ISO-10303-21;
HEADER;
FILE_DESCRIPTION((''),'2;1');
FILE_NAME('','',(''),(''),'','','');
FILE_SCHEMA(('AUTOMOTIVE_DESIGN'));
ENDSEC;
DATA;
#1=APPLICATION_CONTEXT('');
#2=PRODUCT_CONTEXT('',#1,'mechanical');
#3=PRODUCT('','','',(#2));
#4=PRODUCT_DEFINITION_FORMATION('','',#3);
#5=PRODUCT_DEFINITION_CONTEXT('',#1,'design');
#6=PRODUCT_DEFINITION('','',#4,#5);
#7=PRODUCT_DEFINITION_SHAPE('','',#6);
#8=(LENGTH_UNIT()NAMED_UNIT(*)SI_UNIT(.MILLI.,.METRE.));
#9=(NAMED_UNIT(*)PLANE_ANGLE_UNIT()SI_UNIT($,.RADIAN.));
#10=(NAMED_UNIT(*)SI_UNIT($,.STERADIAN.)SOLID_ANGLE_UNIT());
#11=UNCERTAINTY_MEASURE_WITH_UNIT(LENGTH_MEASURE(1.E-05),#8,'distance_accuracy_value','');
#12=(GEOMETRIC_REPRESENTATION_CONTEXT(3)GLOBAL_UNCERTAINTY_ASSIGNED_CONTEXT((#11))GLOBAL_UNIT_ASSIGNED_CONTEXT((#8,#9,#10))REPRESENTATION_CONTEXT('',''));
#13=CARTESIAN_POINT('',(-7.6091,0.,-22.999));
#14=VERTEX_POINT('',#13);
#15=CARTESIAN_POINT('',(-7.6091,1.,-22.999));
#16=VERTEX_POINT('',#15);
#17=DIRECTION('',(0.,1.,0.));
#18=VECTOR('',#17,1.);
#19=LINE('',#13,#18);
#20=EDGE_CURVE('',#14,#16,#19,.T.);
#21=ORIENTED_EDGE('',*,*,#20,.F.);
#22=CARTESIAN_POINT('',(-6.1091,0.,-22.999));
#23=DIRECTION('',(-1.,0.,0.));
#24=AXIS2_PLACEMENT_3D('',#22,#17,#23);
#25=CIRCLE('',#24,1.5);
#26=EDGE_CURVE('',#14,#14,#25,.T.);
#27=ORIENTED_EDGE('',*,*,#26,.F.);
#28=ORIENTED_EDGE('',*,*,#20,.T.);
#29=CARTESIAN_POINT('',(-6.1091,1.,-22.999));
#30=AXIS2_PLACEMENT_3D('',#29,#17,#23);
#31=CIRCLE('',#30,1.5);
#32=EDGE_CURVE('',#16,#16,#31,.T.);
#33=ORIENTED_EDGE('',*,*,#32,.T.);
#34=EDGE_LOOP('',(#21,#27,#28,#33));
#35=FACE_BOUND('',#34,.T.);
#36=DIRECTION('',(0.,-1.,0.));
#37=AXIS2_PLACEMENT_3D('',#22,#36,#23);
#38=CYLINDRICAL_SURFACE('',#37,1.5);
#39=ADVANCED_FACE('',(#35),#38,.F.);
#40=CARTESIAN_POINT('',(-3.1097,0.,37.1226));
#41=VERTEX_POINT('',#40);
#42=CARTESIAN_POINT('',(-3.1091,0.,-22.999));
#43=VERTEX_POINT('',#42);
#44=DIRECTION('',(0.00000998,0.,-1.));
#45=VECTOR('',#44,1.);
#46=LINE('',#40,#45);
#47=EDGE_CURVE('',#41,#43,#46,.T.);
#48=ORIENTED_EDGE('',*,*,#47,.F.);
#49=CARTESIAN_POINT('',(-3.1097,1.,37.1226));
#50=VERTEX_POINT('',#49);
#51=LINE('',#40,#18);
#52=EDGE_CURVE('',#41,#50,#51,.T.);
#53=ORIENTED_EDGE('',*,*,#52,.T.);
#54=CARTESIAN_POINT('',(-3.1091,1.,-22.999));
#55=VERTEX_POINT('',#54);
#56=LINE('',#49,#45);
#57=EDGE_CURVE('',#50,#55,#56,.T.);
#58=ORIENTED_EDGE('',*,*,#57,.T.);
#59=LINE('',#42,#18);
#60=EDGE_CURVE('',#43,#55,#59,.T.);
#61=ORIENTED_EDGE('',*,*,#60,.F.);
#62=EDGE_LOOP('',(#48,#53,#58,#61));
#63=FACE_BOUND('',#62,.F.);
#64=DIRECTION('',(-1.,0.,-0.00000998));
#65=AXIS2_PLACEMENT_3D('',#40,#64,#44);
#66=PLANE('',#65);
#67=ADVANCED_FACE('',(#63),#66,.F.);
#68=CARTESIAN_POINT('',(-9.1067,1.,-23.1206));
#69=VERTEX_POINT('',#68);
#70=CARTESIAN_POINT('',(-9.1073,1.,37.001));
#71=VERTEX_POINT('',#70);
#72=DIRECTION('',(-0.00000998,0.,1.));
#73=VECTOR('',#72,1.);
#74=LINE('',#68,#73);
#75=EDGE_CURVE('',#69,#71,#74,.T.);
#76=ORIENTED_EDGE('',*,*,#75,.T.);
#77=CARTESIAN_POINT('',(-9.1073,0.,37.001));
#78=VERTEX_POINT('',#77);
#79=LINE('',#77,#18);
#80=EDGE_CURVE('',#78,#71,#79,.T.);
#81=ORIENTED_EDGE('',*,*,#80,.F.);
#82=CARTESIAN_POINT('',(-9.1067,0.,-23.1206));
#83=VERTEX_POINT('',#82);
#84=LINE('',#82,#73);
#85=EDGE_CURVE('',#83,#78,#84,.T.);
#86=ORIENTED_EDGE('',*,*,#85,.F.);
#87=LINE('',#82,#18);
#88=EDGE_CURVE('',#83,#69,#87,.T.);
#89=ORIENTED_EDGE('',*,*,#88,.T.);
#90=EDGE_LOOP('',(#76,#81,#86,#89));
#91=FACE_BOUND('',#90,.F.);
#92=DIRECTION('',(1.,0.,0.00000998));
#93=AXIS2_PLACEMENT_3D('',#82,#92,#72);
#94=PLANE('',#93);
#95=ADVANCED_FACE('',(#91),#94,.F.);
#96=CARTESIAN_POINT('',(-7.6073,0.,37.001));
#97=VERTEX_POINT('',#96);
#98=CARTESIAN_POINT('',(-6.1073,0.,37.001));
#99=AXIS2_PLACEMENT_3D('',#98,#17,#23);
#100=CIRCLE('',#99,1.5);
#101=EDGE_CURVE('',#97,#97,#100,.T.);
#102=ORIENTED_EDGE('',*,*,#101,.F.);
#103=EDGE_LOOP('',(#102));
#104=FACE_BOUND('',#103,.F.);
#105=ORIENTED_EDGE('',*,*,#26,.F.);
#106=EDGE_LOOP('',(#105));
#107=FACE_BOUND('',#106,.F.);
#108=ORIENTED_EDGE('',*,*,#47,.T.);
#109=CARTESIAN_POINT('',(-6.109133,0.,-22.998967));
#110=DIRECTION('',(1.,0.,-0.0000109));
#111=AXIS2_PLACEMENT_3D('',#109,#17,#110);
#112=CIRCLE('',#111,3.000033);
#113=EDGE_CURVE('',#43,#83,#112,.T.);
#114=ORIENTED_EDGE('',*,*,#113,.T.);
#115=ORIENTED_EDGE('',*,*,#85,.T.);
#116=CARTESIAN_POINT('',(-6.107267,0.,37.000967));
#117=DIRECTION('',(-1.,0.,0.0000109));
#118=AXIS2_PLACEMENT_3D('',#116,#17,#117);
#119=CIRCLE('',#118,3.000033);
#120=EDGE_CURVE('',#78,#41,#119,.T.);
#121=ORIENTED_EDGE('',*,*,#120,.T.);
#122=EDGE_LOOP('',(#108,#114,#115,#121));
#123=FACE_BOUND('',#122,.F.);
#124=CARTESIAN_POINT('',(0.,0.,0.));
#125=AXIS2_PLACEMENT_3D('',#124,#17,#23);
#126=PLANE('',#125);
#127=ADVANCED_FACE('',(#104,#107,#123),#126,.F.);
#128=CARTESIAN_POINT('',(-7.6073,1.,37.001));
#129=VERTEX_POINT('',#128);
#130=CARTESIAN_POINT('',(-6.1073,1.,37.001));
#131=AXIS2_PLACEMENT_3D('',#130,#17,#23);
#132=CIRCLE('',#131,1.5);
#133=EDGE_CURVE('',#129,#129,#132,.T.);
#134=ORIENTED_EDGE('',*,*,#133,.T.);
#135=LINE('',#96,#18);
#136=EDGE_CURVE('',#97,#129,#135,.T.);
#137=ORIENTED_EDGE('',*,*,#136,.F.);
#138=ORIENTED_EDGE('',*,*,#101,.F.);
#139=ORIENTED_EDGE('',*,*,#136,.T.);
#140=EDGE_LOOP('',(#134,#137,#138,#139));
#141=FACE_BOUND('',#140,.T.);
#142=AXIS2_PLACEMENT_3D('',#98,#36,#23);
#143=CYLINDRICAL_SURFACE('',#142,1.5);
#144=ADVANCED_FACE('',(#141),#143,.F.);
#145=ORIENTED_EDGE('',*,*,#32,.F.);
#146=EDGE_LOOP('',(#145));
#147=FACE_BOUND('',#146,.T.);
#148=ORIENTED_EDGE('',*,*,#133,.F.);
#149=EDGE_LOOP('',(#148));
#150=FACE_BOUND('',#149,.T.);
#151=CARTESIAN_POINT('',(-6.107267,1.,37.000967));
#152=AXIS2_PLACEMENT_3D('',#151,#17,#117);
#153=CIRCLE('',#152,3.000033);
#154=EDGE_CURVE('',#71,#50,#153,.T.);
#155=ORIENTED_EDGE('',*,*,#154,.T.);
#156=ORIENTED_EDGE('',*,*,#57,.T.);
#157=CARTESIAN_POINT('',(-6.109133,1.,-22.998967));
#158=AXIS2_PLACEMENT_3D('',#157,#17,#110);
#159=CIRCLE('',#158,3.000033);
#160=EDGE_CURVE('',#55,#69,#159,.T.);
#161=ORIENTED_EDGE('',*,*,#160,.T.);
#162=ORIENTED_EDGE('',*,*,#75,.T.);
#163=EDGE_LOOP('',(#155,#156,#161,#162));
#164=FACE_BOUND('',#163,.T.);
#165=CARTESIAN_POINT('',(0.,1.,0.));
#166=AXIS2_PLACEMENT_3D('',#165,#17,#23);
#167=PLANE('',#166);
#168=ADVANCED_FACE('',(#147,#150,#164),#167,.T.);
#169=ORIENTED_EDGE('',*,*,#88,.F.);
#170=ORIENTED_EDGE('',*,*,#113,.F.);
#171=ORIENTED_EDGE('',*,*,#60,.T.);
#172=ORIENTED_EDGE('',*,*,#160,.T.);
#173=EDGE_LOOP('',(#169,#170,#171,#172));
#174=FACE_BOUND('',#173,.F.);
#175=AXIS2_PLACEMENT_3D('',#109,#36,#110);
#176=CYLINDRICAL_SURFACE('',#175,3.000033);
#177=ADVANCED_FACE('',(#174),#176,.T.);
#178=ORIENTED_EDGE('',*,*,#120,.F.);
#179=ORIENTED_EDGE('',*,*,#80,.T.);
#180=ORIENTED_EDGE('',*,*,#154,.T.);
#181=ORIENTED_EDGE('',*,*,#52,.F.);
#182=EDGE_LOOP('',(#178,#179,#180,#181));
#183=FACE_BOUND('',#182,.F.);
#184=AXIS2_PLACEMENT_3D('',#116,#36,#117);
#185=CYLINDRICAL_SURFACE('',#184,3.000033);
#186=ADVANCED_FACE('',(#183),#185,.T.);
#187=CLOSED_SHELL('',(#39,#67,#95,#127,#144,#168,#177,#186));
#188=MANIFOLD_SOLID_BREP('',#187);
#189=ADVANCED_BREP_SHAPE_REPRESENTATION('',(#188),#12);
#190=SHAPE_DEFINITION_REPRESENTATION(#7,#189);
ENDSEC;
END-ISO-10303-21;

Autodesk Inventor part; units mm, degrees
ref_plane "YZ Plane" through (0, 0, 0) normal (1, 0, 0) x (0, 1, 0)
ref_plane "XZ Plane" through (0, 0, 0) normal (0, 1, 0) x (-1, 0, 0)
ref_plane "XY Plane" through (0, 0, 0) normal (0, 0, 1) x (1, 0, 0)
sketch "Sketch1" plane through (0, 0, 0) normal (0, 1, 0) x (-1, 0, 0)
  line L0 (3.1097, 37.1226) -> (3.1091, -22.999)
  line L1 (9.1067, -23.1206) -> (9.1073, 37.001)
  arc A0 (9.1073, 37.001) -> (3.1097, 37.1226) centre (6.1073, 37.001) ccw
  arc A1 (3.1091, -22.999) -> (9.1067, -23.1206) centre (6.1091, -22.999) ccw
  circle A2 centre (6.1073, 37.001) radius 1.5
  circle A3 centre (6.1091, -22.999) radius 1.5
  point P0 (0, 0)
  dimension "d" = 3
  dimension "d1" = 3
  dimension "d2" = 3
  dimension "d3" = 3
  dimension "d4" = 60
extrude "Extrusion1" add sketch "Sketch1" along normal blind 1
equation "\"d1\" = d"
equation "\"d2\" = d"
equation "\"d3\" = d"
properties part number "pleuel"
